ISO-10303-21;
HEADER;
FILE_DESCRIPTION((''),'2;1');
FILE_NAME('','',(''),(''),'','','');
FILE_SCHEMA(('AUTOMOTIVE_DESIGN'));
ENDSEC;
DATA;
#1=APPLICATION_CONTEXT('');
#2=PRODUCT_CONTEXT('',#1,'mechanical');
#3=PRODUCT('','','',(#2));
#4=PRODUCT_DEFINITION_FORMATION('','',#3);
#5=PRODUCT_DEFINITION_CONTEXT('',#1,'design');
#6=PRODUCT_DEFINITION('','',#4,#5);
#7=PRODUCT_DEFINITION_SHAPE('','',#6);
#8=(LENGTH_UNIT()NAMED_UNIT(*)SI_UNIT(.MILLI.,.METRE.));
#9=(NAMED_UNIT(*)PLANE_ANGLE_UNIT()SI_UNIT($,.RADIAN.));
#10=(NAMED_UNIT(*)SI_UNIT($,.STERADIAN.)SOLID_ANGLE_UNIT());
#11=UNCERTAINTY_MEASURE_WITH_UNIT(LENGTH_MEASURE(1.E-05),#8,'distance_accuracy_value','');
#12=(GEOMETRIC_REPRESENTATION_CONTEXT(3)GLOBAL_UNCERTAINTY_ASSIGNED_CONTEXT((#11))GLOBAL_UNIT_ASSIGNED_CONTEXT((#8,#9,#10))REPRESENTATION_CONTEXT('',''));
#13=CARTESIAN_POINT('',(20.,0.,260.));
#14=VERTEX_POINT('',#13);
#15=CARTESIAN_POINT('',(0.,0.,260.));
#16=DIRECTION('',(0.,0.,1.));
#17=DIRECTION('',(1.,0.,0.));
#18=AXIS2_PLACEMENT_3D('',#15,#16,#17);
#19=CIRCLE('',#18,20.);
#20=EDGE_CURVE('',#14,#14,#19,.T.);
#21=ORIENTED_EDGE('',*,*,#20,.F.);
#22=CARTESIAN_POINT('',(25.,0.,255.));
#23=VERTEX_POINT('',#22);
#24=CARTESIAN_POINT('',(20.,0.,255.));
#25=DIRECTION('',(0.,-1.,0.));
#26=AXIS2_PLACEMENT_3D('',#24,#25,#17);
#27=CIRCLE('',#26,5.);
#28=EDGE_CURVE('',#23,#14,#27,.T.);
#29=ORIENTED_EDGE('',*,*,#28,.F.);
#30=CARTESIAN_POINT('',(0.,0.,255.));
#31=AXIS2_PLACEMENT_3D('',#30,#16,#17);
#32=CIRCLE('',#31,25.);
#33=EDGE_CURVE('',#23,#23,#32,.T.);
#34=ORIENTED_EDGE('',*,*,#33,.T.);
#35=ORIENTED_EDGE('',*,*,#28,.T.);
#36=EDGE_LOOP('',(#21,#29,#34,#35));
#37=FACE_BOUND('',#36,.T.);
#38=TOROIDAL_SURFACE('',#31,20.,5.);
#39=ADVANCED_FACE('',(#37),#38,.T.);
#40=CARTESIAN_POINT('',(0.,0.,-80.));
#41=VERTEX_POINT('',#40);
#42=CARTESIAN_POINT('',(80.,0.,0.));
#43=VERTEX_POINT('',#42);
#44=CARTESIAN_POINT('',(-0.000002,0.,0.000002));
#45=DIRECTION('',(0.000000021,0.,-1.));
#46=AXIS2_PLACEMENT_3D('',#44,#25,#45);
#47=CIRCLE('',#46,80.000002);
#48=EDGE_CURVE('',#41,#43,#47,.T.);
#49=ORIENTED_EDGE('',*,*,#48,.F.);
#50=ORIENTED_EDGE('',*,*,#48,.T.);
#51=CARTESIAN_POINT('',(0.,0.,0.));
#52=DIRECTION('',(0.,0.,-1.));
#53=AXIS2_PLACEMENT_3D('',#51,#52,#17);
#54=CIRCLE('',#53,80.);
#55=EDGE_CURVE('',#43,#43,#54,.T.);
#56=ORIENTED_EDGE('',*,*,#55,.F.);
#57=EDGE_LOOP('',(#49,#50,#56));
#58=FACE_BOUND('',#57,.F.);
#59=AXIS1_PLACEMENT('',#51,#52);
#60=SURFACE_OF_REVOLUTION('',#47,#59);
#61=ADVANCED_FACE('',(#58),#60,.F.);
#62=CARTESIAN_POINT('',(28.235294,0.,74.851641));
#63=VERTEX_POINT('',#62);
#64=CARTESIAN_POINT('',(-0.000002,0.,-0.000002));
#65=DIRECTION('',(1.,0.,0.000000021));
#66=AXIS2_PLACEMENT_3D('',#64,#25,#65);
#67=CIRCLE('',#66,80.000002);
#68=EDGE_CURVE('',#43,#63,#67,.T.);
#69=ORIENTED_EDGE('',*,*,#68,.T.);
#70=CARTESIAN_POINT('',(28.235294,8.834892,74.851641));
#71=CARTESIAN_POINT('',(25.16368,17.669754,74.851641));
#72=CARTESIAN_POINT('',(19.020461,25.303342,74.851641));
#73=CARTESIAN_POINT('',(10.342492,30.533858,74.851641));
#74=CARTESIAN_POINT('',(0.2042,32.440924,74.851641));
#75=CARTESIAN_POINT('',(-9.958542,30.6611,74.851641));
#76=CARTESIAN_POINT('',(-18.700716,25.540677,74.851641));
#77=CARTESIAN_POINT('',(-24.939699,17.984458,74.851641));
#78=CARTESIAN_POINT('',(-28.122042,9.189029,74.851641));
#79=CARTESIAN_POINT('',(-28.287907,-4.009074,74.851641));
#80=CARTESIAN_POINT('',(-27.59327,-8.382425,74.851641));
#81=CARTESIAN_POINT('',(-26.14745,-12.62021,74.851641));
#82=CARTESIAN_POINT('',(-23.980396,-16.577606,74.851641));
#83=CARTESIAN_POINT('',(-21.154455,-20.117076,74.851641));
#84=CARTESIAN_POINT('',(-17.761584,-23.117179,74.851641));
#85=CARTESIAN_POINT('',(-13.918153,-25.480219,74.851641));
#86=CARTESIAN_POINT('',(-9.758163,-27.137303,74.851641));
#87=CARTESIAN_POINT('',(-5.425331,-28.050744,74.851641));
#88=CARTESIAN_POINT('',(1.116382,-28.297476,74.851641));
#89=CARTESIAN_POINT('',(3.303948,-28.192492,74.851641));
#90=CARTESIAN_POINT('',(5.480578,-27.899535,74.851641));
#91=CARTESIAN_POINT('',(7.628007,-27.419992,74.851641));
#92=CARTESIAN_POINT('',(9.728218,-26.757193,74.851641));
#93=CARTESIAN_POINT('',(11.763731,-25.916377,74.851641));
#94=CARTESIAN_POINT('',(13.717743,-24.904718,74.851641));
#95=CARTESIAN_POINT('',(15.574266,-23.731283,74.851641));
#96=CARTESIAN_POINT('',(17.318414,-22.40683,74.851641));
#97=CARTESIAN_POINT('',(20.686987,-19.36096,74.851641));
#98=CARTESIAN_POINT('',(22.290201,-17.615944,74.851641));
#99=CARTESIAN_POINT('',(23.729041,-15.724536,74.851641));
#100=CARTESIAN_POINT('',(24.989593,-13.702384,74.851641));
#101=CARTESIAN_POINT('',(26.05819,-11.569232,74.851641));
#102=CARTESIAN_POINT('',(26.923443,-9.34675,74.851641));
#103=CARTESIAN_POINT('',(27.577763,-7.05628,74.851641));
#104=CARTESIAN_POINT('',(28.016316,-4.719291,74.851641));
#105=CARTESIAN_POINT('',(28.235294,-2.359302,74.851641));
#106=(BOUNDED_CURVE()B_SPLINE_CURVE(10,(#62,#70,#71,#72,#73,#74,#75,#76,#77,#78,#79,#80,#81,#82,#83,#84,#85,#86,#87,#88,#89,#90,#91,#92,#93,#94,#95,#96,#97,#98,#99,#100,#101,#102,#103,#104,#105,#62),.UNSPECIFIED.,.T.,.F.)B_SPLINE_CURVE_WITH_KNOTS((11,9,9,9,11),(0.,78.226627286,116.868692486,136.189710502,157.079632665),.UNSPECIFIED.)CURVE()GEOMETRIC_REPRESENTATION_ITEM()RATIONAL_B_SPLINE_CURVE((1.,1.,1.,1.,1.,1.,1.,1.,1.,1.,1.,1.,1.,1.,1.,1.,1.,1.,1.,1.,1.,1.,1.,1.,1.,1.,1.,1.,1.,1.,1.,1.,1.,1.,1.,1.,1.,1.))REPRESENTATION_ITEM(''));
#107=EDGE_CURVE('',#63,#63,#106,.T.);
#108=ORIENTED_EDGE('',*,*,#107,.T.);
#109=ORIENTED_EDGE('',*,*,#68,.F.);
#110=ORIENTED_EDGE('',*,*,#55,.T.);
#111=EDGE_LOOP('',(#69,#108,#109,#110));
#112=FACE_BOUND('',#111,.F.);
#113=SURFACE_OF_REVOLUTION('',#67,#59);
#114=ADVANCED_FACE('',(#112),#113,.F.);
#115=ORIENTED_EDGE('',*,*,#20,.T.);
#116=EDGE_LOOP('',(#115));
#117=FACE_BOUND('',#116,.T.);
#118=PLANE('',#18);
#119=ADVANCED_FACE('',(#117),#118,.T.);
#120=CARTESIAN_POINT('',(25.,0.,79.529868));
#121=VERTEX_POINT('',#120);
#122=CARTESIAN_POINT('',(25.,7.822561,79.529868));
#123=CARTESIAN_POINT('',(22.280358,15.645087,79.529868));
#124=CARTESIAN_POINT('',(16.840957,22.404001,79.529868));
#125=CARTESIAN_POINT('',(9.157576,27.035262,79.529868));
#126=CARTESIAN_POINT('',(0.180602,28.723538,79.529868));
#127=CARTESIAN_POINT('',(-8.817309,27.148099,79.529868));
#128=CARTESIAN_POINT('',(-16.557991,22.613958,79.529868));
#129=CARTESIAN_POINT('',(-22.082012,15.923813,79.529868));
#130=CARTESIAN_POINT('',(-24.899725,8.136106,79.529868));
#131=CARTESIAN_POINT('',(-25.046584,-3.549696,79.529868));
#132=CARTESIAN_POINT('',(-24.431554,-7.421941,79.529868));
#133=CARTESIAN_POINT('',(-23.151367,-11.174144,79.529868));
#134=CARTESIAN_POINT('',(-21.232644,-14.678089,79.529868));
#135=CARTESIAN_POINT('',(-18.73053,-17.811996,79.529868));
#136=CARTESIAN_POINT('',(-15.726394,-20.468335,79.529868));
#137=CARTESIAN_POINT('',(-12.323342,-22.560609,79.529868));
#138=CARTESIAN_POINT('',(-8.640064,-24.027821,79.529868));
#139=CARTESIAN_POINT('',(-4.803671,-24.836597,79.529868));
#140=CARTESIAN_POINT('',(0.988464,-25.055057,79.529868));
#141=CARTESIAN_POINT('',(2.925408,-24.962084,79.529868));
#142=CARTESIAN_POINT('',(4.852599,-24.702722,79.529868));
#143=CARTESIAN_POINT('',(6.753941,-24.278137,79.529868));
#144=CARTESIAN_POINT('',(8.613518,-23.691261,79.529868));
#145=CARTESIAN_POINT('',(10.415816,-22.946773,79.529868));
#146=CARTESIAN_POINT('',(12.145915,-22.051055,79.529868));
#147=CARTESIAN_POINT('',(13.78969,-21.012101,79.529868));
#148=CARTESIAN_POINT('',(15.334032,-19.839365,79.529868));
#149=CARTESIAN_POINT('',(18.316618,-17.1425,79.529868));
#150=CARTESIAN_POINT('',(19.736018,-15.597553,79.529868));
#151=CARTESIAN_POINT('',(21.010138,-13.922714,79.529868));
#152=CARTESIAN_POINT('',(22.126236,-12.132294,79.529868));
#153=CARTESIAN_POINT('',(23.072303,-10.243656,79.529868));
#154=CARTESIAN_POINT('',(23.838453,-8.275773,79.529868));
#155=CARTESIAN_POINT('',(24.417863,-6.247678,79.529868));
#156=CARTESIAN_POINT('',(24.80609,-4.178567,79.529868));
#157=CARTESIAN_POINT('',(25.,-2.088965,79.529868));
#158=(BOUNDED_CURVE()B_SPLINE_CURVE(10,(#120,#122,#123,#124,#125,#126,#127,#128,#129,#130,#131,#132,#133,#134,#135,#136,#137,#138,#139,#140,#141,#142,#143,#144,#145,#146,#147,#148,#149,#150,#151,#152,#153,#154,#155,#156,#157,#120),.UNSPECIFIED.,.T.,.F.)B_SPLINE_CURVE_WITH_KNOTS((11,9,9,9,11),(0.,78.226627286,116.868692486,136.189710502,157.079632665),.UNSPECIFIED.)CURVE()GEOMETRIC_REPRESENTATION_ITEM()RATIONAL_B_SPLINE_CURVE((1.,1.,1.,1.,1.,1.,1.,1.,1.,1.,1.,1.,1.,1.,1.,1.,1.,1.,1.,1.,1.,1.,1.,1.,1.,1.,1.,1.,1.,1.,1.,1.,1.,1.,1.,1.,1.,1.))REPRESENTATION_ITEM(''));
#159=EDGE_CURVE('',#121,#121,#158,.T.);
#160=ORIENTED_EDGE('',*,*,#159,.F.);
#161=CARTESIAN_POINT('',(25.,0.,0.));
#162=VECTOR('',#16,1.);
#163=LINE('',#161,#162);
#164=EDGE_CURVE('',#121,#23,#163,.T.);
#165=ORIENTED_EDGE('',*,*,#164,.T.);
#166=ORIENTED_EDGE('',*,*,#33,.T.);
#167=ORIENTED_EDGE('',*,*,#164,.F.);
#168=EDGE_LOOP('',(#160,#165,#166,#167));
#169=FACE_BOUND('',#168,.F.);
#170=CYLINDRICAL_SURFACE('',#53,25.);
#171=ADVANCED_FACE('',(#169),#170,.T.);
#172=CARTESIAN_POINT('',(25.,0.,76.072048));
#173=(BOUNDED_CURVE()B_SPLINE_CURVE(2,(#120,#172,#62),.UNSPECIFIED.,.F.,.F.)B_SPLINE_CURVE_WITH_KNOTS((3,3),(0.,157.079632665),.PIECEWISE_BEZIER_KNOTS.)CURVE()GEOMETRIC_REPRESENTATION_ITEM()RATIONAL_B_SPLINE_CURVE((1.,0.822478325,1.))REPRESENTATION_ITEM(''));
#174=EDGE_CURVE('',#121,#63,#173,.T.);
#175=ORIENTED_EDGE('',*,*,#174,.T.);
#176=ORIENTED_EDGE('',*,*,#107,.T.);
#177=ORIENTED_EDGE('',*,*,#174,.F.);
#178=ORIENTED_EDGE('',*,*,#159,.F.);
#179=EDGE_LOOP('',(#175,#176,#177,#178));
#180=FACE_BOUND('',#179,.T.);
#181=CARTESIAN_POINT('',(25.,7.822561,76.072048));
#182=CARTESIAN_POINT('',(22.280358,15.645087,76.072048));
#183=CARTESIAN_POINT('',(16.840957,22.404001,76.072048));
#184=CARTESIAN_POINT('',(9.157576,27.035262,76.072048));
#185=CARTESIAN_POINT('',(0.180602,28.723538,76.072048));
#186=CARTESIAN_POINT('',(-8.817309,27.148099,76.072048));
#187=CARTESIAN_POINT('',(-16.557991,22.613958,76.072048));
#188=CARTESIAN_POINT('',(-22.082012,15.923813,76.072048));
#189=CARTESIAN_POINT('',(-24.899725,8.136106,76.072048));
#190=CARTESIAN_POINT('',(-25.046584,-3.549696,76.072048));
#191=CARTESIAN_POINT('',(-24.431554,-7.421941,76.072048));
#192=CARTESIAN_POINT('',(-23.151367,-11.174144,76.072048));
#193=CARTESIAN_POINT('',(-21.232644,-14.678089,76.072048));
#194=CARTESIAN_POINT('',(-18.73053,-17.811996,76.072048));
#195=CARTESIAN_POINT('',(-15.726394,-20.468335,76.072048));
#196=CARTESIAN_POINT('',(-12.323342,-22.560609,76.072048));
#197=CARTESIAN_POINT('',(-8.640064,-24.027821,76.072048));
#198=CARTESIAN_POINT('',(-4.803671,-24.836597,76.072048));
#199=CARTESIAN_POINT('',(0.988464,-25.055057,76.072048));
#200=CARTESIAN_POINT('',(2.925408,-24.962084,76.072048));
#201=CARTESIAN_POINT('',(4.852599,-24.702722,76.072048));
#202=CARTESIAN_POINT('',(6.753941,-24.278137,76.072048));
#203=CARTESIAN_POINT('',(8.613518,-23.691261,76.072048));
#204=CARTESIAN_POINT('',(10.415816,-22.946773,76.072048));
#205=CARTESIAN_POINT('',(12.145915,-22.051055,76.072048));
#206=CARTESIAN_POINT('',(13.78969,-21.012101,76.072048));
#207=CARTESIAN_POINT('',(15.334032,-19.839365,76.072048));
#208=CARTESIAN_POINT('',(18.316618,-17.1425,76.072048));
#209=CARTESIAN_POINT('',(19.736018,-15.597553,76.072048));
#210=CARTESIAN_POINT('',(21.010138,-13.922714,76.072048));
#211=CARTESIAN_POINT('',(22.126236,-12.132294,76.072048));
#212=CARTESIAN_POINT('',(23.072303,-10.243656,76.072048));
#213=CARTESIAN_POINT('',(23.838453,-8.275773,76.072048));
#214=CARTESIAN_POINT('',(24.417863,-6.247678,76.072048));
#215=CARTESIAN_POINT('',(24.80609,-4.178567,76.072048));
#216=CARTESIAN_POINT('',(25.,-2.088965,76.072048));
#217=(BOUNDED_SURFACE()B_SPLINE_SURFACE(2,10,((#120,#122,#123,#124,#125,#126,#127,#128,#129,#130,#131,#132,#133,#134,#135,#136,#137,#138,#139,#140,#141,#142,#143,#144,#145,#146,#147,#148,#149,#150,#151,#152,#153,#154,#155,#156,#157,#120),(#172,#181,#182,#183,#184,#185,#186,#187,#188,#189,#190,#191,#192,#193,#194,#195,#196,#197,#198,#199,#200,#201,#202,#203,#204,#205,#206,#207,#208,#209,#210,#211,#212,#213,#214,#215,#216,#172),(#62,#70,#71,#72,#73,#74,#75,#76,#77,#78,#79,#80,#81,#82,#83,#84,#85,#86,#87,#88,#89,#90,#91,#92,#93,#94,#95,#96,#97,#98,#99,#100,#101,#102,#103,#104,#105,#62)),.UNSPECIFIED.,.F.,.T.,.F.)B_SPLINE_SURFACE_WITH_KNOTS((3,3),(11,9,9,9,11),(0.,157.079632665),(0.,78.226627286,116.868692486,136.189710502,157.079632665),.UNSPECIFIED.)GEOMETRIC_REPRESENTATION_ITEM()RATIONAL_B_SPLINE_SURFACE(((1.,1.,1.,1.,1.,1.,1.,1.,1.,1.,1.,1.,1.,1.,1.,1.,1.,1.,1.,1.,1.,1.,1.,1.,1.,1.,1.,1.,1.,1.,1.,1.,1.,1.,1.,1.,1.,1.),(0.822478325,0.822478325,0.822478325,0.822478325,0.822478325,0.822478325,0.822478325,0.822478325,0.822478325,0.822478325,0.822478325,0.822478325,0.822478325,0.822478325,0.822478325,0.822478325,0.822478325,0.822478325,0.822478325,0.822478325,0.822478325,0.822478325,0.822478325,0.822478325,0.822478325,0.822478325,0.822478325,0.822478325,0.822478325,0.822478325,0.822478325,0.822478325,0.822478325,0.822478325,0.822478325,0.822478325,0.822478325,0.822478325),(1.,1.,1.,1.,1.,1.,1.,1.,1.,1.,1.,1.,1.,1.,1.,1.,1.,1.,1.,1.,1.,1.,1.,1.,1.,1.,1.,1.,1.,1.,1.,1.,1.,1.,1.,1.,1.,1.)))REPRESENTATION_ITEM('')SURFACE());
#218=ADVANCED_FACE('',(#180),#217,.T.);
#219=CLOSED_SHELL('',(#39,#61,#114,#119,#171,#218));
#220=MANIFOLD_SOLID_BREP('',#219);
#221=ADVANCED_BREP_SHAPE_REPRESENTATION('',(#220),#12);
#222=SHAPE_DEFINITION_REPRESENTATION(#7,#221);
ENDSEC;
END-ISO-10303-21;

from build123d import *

# Parameters (mm, degrees)
F2_R     = 25
F3_DEPTH = 260
F4_R     = 5
F5_R     = 5


with BuildPart() as f1:
    # F0 (on Front) → F1 (revolve)
    with BuildSketch(Plane.XZ):
        with BuildLine():
            ThreePointArc((0, -80), (56.568542, -56.568542), (80, 0))
            ThreePointArc((80, 0), (56.568542, 56.568542), (0, 80))
            Line((0, 80), (0, -80))
        make_face()
    revolve(axis=Axis((0, 0, 0), (0, 0, -1)))

    # F2 (on Top) → F3 (join)
    with BuildSketch(Plane.XY):
        Circle(F2_R)
    extrude(amount=F3_DEPTH)

    # F4
    f4_edges = [f1.edges().sort_by_distance(p)[0] for p in [
        (-25, 0, 260),
    ]]
    fillet(f4_edges, radius=F4_R)

    # F5
    f5_edges = [f1.edges().sort_by_distance(p)[0] for p in [
        (-25, 0, 75.993421),
    ]]
    fillet(f5_edges, radius=F5_R)


solid = f1.part
